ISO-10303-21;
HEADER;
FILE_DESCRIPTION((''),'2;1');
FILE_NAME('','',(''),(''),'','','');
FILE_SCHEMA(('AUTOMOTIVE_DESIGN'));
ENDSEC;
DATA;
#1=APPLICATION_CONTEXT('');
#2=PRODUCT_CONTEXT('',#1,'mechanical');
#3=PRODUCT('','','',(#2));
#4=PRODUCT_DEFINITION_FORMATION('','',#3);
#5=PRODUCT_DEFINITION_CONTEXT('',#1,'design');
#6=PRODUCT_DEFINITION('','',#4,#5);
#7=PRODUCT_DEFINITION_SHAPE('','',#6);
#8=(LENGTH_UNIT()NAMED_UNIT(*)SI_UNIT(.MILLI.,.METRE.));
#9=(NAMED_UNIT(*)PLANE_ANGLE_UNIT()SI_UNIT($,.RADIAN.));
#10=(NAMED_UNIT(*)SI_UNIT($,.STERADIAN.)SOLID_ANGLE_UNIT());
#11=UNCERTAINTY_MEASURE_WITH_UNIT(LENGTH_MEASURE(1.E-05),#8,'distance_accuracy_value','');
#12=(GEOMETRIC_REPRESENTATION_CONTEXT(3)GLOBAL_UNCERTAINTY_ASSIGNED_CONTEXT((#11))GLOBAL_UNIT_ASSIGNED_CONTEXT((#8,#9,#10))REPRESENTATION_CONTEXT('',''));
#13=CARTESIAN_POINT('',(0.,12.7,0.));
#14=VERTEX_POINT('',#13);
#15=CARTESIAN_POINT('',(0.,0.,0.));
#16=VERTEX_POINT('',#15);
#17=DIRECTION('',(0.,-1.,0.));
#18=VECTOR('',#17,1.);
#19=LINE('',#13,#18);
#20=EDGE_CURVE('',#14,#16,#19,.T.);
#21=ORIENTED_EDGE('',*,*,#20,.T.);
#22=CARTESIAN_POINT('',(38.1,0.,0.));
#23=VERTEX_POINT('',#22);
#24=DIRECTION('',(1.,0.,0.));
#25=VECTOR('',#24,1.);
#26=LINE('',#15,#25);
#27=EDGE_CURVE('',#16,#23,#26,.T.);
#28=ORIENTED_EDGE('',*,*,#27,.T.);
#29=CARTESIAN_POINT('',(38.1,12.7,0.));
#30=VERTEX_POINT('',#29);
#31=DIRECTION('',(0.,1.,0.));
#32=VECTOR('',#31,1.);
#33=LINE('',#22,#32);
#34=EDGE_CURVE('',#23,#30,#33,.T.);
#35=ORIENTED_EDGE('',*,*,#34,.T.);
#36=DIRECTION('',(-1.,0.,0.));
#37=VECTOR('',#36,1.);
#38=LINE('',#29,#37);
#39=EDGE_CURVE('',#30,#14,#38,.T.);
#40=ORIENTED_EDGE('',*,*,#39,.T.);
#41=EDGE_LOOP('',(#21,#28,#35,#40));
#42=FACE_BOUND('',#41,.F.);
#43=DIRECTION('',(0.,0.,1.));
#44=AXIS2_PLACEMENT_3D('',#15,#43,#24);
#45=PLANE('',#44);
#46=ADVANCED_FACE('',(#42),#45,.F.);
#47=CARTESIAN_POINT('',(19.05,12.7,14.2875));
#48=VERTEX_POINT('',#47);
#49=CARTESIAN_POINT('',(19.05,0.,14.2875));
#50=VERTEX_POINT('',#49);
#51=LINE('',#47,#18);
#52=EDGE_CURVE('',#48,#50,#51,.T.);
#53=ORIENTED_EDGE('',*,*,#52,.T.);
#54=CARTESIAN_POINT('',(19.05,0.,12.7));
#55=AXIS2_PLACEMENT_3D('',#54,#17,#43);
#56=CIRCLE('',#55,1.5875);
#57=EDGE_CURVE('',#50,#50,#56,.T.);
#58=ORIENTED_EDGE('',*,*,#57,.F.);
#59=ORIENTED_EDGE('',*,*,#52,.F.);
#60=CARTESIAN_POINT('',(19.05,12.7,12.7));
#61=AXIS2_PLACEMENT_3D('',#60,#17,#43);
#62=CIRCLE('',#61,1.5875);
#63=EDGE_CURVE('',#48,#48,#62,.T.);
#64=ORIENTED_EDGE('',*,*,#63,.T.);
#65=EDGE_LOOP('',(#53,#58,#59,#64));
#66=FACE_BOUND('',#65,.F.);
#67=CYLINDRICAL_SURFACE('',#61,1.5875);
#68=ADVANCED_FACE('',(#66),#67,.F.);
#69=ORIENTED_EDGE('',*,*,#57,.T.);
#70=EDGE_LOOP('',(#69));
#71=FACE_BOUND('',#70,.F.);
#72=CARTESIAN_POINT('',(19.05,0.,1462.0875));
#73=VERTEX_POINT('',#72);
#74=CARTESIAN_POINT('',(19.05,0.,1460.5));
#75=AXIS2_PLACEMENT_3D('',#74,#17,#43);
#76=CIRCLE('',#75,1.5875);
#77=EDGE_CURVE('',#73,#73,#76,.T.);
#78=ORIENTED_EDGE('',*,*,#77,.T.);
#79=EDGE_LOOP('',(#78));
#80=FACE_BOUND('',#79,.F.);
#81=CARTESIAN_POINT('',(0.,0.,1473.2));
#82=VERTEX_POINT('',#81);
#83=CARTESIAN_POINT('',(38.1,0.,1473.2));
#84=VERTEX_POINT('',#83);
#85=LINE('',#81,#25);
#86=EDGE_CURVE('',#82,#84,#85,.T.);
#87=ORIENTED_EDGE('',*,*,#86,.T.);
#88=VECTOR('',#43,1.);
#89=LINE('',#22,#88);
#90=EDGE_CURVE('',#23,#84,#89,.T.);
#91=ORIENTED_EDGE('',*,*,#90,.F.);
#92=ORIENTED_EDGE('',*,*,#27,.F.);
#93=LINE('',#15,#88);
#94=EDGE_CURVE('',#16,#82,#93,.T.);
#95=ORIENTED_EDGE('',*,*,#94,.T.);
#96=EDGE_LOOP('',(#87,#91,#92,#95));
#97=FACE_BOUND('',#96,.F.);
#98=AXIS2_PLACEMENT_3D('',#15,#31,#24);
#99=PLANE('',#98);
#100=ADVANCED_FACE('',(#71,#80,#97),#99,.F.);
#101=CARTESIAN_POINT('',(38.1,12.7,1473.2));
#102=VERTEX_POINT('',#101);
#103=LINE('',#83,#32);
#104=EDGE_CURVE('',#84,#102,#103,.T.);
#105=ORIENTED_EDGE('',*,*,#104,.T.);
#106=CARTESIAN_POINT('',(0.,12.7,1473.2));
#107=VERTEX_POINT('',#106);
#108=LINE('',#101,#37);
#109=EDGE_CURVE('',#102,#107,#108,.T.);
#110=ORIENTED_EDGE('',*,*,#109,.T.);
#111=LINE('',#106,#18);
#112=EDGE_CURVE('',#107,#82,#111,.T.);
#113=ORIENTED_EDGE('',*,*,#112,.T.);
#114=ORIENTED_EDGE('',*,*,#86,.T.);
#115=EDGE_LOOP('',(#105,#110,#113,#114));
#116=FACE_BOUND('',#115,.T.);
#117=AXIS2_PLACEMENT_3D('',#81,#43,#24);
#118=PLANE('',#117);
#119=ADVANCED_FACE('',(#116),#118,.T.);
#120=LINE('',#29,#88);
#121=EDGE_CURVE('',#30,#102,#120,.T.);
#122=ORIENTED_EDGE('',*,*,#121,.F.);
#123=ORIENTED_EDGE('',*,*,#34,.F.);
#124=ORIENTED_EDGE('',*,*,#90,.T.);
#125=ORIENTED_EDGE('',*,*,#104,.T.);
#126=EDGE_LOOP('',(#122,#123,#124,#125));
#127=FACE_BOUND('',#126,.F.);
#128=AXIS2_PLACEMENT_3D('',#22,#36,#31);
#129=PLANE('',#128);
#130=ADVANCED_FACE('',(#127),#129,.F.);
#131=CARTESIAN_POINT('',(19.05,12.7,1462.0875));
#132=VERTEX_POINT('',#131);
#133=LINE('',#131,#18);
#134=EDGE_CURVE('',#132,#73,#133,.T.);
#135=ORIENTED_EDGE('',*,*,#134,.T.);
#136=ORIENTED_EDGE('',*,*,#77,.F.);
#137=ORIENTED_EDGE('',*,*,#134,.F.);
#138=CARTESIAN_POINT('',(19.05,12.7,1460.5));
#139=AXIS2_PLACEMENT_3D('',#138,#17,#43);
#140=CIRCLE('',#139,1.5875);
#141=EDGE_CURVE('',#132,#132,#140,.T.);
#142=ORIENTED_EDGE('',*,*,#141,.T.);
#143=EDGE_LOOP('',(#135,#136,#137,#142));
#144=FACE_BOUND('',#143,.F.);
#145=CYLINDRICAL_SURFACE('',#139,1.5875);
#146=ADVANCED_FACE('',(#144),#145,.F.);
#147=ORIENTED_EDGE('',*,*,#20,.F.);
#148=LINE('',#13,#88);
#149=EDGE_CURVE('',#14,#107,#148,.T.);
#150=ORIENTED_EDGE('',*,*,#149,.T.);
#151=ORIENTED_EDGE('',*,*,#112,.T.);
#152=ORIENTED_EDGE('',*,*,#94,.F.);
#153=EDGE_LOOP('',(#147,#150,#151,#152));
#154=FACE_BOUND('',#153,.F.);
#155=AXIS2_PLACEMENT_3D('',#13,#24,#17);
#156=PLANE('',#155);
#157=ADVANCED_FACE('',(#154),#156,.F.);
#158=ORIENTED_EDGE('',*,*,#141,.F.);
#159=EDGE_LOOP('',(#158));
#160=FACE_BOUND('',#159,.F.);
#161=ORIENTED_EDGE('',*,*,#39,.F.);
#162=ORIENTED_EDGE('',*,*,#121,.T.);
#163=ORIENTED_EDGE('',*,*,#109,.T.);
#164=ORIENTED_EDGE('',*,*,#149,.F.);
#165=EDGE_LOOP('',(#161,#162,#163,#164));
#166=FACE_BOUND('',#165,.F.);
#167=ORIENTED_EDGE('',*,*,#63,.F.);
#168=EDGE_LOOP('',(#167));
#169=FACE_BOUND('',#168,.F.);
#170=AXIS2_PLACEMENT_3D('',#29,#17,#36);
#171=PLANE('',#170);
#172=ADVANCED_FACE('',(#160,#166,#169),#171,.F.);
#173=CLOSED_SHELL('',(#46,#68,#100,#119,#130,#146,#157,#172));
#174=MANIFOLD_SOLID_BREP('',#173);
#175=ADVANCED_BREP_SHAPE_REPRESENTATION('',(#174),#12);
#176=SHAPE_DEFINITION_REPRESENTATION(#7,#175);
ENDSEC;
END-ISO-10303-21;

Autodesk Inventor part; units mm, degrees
ref_plane "YZ Plane" through (0, 0, 0) normal (1, 0, 0) x (0, 1, 0)
ref_plane "XZ Plane" through (0, 0, 0) normal (0, 1, 0) x (-1, 0, 0)
ref_plane "XY Plane" through (0, 0, 0) normal (0, 0, 1) x (1, 0, 0)
sketch "Sketch1" plane through (0, 0, 0) normal (0, 0, 1) x (1, 0, 0)
  line L0 (0, 0) -> (38.1, 0)
  line L1 (38.1, 0) -> (38.1, 12.7)
  line L2 (38.1, 12.7) -> (0, 12.7)
  line L3 (0, 12.7) -> (0, 0)
  dimension "d0" = 38.1
  dimension "d1" = 12.7
extrude "Extrusion1" add sketch "Sketch1" along normal blind 1473.2
sketch "Sketch2" plane through (0, 12.7, 0) normal (0, 1, 0) x (1, 0, 0)
  line L0 (38.1, 0) -> (0, 0) projected
  circle A0 centre (19.05, -12.7) radius 2.2451
  dimension "d4" = 12.7
hole "Hole1" at (19.05, 12.7, 12.7) direction (0, -1, 0) diameter 3.175 end through all
sketch "Sketch3" plane through (0, 12.7, 0) normal (0, 1, 0) x (1, 0, 0)
  line L0 (38.1, -1473.2) -> (0, -1473.2) projected
  circle A0 centre (19.05, -1460.5) radius 2.2451
  dimension "d12" = 12.7
hole "Hole2" at (19.05, 12.7, 1460.5) direction (0, -1, 0) diameter 3.175 end through all
properties part number "2p6fs2" material "Wood (Cherry)"
